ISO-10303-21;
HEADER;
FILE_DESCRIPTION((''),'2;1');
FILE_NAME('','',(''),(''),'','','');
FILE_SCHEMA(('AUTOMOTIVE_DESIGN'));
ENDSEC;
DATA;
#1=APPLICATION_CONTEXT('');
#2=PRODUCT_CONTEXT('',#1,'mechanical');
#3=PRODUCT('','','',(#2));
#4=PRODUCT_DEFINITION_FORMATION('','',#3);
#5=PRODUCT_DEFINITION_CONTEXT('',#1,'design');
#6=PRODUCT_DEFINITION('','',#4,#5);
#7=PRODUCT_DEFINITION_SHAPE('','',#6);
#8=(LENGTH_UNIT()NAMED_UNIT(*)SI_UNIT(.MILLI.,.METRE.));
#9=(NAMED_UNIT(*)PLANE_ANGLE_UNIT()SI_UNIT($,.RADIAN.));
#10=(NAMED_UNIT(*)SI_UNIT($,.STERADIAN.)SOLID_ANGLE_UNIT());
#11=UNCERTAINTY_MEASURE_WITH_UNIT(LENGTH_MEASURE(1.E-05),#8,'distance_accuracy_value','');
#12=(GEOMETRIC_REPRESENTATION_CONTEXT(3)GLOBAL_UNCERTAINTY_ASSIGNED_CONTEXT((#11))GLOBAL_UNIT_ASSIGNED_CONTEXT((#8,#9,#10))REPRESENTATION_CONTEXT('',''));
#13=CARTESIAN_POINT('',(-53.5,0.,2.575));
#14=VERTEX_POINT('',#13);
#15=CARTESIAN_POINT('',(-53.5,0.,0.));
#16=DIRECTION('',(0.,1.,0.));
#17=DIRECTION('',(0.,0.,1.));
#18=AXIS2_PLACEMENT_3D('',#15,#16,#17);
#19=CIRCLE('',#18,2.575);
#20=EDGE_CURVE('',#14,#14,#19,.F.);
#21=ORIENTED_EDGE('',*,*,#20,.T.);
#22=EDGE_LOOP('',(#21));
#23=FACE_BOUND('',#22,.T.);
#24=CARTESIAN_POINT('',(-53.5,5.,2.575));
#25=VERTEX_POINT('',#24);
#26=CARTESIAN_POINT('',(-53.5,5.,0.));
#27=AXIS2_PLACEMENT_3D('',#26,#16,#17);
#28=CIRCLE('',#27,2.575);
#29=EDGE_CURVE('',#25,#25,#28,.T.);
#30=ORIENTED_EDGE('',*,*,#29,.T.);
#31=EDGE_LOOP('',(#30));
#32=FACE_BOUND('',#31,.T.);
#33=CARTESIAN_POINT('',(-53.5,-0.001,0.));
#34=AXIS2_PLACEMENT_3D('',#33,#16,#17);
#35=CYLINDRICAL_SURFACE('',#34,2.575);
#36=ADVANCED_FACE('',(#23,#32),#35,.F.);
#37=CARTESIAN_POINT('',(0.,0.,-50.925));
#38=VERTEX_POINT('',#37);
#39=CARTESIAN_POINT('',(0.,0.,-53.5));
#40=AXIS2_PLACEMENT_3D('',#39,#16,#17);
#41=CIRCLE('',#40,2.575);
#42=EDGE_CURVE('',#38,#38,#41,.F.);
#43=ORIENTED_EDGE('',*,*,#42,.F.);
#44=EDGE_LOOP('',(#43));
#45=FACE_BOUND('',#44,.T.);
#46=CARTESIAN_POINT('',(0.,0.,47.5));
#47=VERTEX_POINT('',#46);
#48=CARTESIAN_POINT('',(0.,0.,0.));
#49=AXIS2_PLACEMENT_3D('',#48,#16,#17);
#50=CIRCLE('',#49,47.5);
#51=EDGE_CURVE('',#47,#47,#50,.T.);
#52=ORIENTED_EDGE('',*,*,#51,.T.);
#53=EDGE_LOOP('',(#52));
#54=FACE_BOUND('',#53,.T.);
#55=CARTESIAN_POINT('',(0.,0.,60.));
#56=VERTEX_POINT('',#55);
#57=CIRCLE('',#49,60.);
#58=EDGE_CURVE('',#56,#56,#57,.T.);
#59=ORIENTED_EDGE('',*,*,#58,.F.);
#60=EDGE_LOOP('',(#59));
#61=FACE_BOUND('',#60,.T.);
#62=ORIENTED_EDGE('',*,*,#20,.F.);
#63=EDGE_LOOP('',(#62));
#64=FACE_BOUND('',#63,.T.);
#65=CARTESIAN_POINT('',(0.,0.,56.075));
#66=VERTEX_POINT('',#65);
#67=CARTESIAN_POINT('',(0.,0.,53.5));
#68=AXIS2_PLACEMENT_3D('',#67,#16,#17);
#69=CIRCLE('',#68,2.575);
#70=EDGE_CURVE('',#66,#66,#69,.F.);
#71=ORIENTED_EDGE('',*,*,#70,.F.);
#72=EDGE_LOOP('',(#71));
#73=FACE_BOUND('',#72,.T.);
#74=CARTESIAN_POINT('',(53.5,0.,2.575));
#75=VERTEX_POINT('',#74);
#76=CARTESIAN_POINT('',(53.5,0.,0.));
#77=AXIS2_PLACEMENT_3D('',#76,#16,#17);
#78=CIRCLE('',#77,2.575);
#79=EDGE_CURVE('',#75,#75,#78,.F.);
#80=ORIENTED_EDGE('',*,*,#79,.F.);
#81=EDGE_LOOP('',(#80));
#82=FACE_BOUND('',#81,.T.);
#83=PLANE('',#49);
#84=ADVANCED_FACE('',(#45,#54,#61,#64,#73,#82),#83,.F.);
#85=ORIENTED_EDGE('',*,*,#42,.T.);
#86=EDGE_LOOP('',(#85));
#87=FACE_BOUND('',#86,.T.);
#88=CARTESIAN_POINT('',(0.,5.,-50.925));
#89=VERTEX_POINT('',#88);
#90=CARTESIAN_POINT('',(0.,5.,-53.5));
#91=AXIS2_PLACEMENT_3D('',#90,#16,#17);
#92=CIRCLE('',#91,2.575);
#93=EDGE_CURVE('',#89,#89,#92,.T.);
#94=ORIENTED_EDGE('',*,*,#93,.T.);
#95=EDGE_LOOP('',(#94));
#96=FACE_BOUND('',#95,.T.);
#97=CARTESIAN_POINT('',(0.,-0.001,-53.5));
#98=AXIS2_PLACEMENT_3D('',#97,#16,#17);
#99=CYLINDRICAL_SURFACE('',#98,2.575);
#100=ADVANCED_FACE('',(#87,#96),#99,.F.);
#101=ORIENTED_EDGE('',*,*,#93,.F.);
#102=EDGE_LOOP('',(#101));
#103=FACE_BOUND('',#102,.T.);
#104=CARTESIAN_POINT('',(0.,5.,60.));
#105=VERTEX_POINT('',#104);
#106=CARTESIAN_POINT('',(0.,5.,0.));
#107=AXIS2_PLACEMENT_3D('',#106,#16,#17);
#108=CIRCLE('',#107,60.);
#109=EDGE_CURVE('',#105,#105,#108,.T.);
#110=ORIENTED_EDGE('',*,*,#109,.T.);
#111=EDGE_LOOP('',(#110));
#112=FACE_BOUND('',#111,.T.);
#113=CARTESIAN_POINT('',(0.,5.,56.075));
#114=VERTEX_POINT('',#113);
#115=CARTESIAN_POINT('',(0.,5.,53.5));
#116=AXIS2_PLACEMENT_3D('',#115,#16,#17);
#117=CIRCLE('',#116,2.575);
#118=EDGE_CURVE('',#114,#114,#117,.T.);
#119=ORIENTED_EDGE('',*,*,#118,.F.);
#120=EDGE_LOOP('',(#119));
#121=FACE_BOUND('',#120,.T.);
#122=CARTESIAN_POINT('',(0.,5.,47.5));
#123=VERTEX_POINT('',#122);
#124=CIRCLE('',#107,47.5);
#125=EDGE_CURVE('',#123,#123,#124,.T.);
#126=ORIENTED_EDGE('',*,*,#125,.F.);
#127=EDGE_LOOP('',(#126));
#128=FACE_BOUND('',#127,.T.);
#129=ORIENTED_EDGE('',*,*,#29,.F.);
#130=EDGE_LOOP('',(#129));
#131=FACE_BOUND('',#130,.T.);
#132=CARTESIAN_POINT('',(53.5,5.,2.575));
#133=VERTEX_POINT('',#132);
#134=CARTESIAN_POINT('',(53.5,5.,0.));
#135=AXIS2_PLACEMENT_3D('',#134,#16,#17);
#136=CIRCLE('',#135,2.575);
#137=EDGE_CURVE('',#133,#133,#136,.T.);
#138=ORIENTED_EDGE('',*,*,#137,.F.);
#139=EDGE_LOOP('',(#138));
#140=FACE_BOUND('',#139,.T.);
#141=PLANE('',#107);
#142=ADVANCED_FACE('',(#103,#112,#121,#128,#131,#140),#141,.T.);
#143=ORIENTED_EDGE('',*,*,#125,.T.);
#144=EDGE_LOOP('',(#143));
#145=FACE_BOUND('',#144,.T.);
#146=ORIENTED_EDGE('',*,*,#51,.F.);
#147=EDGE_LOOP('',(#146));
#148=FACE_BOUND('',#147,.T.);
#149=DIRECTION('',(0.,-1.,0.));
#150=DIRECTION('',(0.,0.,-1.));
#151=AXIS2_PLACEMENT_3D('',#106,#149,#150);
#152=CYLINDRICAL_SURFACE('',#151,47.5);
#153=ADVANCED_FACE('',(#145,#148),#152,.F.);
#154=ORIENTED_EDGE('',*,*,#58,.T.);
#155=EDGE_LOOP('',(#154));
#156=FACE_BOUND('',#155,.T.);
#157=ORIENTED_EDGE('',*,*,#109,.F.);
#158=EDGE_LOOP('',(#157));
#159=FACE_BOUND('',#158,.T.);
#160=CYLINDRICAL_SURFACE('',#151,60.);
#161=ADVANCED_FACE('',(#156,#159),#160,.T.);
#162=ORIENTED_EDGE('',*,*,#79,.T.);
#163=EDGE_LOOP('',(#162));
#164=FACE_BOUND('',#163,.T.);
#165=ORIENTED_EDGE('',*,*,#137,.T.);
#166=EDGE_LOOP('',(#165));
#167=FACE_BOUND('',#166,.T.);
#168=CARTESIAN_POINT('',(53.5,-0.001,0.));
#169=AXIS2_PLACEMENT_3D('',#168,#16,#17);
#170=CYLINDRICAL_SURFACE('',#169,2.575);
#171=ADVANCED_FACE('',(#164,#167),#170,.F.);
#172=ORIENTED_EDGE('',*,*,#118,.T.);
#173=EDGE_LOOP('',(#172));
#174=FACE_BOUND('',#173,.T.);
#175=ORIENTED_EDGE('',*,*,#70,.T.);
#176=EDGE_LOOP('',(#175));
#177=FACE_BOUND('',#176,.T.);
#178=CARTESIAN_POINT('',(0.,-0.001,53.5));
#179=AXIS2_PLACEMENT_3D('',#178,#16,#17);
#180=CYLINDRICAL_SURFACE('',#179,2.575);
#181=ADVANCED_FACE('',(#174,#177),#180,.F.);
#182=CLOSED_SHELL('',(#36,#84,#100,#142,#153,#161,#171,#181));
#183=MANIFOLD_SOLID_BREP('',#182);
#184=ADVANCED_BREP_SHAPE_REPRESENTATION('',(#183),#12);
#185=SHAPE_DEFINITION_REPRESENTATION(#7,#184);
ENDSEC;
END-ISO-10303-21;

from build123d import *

# Parameters (mm, degrees)
SKETCH_1_R          = 60
SKETCH_1_R_2        = 47.5
EXTRUDE_1_DEPTH     = 5
CUT_EXTRUDE_1_REACH = 87
SKETCH_2_R          = 2.575


with BuildPart() as part:
    # 草图1 → 凸台-拉伸1 (new body)
    with BuildSketch(Plane(origin=(0, 0, 0), x_dir=(1, 0, 0), z_dir=(0, 1, 0))):
        with Locations(Location((0, 0, 0), (0, 0, 270))):
            Circle(SKETCH_1_R)
        with Locations(Location((0, 0, 0), (0, 0, 270))):
            Circle(SKETCH_1_R_2, mode=Mode.SUBTRACT)
    extrude(amount=EXTRUDE_1_DEPTH)

    # 草图2 → 切除-拉伸1 (cut, up to next)
    with BuildSketch(Plane(origin=(0, 5, 0), x_dir=(1, 0, 0), z_dir=(0, 1, 0)), mode=Mode.PRIVATE) as cut_extrude_1_sk1:
        with Locations(Location((0, 53.5, 0), (0, 0, 270))):
            Circle(SKETCH_2_R)
    cut_extrude_1_tool1 = extrude(cut_extrude_1_sk1.sketch, amount=-CUT_EXTRUDE_1_REACH, mode=Mode.PRIVATE) & part.part
    # 草图2 → 切除-拉伸1 (cut, up to next)
    with BuildSketch(Plane(origin=(0, 5, 0), x_dir=(1, 0, 0), z_dir=(0, 1, 0)), mode=Mode.PRIVATE) as cut_extrude_1_sk2:
        with Locations(Location((53.5, 0, 0), (0, 0, 270))):
            Circle(SKETCH_2_R)
    cut_extrude_1_tool2 = extrude(cut_extrude_1_sk2.sketch, amount=-CUT_EXTRUDE_1_REACH, mode=Mode.PRIVATE) & part.part
    # 草图2 → 切除-拉伸1 (cut, up to next)
    with BuildSketch(Plane(origin=(0, 5, 0), x_dir=(1, 0, 0), z_dir=(0, 1, 0)), mode=Mode.PRIVATE) as cut_extrude_1_sk3:
        with Locations(Location((0, -53.5, 0), (0, 0, 270))):
            Circle(SKETCH_2_R)
    cut_extrude_1_tool3 = extrude(cut_extrude_1_sk3.sketch, amount=-CUT_EXTRUDE_1_REACH, mode=Mode.PRIVATE) & part.part
    # 草图2 → 切除-拉伸1 (cut, up to next)
    with BuildSketch(Plane(origin=(0, 5, 0), x_dir=(1, 0, 0), z_dir=(0, 1, 0)), mode=Mode.PRIVATE) as cut_extrude_1_sk4:
        with Locations(Location((-53.5, 0, 0), (0, 0, 270))):
            Circle(SKETCH_2_R)
    cut_extrude_1_tool4 = extrude(cut_extrude_1_sk4.sketch, amount=-CUT_EXTRUDE_1_REACH, mode=Mode.PRIVATE) & part.part
    add(cut_extrude_1_tool1.solids().sort_by_distance((0, 5, -53.5))[0], mode=Mode.SUBTRACT)
    add(cut_extrude_1_tool2.solids().sort_by_distance((53.5, 5, 0))[0], mode=Mode.SUBTRACT)
    add(cut_extrude_1_tool3.solids().sort_by_distance((0, 5, 53.5))[0], mode=Mode.SUBTRACT)
    add(cut_extrude_1_tool4.solids().sort_by_distance((-53.5, 5, 0))[0], mode=Mode.SUBTRACT)


solid = part.part
